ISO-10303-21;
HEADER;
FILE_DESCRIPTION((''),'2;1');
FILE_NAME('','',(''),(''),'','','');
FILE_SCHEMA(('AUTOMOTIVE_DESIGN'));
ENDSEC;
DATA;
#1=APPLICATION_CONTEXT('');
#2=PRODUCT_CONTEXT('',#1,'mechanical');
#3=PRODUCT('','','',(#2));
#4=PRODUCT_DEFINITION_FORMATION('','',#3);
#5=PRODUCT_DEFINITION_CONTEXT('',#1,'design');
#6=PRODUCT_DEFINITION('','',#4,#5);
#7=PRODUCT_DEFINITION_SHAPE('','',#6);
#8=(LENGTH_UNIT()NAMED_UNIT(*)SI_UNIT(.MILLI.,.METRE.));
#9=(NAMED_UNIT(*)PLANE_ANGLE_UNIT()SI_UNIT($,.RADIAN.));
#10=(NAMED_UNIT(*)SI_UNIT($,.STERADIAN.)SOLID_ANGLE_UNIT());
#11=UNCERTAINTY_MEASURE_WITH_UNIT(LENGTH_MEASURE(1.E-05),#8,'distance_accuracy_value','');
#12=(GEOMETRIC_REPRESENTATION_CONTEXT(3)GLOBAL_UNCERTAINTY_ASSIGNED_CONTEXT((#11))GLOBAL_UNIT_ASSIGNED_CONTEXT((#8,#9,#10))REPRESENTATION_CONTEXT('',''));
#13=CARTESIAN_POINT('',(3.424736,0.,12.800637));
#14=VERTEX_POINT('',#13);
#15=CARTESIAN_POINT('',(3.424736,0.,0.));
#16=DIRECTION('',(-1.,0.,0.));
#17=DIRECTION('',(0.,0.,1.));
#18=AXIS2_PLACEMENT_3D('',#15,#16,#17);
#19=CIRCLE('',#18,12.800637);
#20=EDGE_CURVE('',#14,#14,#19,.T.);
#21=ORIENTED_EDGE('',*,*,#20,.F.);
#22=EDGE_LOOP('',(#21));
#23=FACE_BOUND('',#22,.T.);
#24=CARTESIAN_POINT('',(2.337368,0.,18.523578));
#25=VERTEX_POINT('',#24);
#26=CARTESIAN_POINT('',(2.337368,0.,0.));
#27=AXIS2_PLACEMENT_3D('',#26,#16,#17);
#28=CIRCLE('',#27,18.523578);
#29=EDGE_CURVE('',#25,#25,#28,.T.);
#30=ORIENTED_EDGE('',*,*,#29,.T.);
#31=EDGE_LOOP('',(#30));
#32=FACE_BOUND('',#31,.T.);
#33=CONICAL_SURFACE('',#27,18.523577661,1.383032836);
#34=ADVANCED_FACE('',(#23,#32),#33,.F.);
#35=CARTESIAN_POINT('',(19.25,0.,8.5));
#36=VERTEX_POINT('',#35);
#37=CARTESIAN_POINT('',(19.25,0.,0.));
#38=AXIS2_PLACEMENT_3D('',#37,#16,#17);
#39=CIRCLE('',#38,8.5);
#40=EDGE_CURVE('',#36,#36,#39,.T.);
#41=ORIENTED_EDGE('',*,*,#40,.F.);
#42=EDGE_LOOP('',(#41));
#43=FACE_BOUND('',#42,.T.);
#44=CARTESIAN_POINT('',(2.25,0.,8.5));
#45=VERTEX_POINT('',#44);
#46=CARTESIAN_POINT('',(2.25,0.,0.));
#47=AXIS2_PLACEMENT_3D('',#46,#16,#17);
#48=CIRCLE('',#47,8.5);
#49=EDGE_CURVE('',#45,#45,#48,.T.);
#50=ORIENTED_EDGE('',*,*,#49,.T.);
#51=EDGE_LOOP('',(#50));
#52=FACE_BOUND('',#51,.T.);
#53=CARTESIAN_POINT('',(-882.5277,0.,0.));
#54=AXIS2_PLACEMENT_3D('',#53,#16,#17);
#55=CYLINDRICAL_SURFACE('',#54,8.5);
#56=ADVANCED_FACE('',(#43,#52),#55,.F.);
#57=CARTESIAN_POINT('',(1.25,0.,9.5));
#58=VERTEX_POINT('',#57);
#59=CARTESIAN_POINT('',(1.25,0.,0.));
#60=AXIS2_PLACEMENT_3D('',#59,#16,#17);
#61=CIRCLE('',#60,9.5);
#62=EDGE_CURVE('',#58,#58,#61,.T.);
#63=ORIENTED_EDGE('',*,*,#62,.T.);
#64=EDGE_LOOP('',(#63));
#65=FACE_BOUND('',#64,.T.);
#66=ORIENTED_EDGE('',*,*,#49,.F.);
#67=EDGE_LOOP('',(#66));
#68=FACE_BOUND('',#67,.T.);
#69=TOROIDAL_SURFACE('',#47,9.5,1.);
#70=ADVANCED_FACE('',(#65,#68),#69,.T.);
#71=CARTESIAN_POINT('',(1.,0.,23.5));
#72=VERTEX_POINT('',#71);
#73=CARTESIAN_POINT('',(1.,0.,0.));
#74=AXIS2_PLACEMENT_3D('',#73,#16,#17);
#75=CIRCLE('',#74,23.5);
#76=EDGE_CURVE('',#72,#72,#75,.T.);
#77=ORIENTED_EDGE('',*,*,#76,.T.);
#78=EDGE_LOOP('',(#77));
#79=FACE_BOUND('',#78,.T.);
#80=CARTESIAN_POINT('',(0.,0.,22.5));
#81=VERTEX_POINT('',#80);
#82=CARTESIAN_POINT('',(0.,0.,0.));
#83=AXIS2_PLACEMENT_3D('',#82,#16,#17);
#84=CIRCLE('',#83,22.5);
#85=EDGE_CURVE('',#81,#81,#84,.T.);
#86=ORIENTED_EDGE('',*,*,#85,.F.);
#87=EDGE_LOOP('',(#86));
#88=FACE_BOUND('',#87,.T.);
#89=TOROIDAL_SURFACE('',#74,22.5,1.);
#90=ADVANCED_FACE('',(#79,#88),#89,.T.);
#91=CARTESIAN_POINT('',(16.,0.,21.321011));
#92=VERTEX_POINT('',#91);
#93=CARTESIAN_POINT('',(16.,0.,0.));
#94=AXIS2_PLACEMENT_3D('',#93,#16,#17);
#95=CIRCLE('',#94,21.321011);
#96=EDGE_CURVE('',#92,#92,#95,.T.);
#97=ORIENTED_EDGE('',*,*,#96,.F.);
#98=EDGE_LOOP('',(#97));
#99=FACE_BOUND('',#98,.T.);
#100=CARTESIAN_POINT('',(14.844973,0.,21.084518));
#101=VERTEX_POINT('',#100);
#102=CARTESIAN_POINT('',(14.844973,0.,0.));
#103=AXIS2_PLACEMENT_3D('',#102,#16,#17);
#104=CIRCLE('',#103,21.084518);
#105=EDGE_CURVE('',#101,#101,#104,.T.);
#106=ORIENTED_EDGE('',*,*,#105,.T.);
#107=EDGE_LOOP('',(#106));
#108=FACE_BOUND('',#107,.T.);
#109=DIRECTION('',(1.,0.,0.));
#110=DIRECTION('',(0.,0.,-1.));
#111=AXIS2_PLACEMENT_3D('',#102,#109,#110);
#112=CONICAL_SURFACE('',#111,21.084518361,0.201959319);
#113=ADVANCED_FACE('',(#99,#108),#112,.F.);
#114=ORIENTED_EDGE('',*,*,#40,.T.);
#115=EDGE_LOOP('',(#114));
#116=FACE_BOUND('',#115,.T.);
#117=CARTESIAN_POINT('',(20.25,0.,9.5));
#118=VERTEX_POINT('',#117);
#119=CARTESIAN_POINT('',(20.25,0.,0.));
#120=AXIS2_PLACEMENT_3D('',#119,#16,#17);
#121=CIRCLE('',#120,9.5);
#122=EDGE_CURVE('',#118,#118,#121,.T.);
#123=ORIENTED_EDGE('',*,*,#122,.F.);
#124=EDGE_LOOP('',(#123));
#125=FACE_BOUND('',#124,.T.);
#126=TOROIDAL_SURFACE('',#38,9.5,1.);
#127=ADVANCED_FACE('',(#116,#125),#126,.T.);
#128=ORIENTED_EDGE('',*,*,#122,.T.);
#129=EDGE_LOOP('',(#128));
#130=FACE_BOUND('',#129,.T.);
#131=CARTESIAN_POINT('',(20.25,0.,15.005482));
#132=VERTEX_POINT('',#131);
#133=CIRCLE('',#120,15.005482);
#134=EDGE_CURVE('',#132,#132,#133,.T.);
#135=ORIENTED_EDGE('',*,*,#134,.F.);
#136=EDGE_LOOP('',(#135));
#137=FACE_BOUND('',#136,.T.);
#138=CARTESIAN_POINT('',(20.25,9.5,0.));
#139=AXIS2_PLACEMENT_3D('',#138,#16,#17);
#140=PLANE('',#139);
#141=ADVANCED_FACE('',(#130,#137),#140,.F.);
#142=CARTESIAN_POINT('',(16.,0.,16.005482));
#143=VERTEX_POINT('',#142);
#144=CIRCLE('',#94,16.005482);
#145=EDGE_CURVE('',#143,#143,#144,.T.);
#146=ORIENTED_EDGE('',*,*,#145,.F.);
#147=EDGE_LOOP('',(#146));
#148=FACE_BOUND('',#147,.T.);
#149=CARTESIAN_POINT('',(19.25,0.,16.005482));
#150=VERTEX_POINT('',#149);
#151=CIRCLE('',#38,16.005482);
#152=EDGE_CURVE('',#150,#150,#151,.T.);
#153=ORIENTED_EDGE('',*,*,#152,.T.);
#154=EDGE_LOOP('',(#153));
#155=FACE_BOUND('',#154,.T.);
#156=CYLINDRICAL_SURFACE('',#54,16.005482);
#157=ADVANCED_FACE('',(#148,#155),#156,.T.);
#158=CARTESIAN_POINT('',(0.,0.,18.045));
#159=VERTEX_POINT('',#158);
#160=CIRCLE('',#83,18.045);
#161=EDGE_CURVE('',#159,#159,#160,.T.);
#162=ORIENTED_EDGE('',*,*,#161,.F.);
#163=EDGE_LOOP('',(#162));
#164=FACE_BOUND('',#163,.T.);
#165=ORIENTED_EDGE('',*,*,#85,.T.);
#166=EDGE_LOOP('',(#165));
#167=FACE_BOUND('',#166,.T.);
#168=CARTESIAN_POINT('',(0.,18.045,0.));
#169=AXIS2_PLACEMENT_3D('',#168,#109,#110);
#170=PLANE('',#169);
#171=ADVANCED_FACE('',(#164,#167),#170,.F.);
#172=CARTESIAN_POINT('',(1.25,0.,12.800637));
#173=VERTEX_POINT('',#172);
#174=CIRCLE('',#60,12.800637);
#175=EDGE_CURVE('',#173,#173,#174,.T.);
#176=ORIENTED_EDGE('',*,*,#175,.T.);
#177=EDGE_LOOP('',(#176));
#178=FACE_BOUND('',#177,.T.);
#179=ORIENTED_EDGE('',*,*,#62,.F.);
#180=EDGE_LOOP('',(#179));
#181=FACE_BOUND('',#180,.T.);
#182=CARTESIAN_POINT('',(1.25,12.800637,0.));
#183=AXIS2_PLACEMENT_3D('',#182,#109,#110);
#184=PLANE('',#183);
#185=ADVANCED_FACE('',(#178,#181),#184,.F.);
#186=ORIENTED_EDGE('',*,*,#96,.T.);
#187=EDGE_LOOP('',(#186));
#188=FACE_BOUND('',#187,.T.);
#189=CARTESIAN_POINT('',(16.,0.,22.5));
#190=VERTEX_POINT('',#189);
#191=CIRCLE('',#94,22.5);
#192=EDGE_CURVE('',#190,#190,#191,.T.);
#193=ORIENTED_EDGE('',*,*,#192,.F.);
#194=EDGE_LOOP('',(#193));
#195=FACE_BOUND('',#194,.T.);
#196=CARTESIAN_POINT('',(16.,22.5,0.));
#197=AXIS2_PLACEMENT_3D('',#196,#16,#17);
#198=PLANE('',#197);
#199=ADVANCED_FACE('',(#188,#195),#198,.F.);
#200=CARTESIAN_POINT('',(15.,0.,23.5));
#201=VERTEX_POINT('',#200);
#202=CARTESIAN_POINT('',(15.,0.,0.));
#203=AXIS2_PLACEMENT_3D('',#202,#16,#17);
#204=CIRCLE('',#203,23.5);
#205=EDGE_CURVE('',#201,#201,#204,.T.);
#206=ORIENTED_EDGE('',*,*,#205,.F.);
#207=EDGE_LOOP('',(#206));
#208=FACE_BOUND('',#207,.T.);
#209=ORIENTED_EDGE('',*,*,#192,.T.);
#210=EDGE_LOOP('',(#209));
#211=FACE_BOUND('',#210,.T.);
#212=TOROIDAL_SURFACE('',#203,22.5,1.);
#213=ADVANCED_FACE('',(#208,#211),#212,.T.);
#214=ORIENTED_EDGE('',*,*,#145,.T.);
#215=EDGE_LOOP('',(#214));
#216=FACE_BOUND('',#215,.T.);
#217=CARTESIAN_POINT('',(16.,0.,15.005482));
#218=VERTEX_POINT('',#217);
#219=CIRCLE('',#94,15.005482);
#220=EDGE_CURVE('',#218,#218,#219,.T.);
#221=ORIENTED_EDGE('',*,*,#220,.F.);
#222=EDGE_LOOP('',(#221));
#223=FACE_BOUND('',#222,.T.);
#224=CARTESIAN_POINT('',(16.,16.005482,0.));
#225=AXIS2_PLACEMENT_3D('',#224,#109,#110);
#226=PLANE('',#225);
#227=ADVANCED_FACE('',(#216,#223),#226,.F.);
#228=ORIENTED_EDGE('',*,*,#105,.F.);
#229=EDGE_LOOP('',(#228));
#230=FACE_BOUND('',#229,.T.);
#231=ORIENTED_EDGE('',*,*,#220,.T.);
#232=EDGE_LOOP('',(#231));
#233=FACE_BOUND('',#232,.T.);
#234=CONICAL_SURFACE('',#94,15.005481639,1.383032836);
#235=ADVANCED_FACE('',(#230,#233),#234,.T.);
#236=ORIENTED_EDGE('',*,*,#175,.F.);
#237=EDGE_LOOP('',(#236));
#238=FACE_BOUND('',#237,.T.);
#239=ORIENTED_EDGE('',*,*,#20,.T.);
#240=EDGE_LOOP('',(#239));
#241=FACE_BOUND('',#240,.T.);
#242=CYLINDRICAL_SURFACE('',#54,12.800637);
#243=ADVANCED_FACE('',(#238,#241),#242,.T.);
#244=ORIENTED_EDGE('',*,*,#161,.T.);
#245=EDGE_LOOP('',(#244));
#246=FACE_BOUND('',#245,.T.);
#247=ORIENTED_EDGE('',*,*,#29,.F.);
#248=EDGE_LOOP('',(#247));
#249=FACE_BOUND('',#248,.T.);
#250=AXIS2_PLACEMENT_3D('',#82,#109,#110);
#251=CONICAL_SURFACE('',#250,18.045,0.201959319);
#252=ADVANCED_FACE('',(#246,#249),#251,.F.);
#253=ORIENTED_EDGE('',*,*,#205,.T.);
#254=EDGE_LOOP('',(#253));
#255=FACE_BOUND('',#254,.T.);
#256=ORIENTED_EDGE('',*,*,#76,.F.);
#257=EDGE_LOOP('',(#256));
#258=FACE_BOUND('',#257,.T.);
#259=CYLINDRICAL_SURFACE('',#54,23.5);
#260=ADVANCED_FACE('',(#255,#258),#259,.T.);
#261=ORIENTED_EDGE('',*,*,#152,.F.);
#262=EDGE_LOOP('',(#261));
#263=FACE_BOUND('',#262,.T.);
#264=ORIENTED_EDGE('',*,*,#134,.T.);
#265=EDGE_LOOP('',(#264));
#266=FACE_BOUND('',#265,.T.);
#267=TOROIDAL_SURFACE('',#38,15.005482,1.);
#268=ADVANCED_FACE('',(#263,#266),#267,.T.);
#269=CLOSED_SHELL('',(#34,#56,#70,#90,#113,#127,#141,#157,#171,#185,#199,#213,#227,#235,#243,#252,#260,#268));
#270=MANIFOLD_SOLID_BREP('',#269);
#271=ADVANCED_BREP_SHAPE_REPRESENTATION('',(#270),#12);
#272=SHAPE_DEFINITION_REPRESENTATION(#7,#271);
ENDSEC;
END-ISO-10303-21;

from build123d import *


with BuildPart() as part:
    # Эскиз1 → Повернуть1 (revolve)
    with BuildSketch(Plane.XY):
        with BuildLine():
            Line((2.337367885, 18.523577661), (0, 18.045))
            Line((0, 18.045), (0, 22.5))
            ThreePointArc((0, 22.5), (0.292893219, 23.207106781), (1, 23.5))
            Line((1, 23.5), (15, 23.5))
            ThreePointArc((15, 23.5), (15.707106781, 23.207106781), (16, 22.5))
            Line((16, 22.5), (16, 21.321010862))
            Line((16, 21.321010862), (14.844973298, 21.084518361))
            Line((14.844973298, 21.084518361), (16, 15.005481639))
            Line((16, 15.005481639), (16, 16.005481639))
            Line((16, 16.005481639), (19.25, 16.005481639))
            ThreePointArc((19.25, 16.005481639), (19.957106781, 15.71258842), (20.25, 15.005481639))
            Line((20.25, 15.005481639), (20.25, 9.5))
            ThreePointArc((20.25, 9.5), (19.957106781, 8.792893219), (19.25, 8.5))
            Line((19.25, 8.5), (2.25, 8.5))
            ThreePointArc((2.25, 8.5), (1.542893219, 8.792893219), (1.25, 9.5))
            Line((1.25, 9.5), (1.25, 12.800636979))
            Line((1.25, 12.800636979), (3.42473577, 12.800636979))
            Line((3.42473577, 12.800636979), (2.337367885, 18.523577661))
        make_face()
    revolve(axis=Axis((-882.527700014, 0, 0), (1, 0, 0)))


solid = part.part
